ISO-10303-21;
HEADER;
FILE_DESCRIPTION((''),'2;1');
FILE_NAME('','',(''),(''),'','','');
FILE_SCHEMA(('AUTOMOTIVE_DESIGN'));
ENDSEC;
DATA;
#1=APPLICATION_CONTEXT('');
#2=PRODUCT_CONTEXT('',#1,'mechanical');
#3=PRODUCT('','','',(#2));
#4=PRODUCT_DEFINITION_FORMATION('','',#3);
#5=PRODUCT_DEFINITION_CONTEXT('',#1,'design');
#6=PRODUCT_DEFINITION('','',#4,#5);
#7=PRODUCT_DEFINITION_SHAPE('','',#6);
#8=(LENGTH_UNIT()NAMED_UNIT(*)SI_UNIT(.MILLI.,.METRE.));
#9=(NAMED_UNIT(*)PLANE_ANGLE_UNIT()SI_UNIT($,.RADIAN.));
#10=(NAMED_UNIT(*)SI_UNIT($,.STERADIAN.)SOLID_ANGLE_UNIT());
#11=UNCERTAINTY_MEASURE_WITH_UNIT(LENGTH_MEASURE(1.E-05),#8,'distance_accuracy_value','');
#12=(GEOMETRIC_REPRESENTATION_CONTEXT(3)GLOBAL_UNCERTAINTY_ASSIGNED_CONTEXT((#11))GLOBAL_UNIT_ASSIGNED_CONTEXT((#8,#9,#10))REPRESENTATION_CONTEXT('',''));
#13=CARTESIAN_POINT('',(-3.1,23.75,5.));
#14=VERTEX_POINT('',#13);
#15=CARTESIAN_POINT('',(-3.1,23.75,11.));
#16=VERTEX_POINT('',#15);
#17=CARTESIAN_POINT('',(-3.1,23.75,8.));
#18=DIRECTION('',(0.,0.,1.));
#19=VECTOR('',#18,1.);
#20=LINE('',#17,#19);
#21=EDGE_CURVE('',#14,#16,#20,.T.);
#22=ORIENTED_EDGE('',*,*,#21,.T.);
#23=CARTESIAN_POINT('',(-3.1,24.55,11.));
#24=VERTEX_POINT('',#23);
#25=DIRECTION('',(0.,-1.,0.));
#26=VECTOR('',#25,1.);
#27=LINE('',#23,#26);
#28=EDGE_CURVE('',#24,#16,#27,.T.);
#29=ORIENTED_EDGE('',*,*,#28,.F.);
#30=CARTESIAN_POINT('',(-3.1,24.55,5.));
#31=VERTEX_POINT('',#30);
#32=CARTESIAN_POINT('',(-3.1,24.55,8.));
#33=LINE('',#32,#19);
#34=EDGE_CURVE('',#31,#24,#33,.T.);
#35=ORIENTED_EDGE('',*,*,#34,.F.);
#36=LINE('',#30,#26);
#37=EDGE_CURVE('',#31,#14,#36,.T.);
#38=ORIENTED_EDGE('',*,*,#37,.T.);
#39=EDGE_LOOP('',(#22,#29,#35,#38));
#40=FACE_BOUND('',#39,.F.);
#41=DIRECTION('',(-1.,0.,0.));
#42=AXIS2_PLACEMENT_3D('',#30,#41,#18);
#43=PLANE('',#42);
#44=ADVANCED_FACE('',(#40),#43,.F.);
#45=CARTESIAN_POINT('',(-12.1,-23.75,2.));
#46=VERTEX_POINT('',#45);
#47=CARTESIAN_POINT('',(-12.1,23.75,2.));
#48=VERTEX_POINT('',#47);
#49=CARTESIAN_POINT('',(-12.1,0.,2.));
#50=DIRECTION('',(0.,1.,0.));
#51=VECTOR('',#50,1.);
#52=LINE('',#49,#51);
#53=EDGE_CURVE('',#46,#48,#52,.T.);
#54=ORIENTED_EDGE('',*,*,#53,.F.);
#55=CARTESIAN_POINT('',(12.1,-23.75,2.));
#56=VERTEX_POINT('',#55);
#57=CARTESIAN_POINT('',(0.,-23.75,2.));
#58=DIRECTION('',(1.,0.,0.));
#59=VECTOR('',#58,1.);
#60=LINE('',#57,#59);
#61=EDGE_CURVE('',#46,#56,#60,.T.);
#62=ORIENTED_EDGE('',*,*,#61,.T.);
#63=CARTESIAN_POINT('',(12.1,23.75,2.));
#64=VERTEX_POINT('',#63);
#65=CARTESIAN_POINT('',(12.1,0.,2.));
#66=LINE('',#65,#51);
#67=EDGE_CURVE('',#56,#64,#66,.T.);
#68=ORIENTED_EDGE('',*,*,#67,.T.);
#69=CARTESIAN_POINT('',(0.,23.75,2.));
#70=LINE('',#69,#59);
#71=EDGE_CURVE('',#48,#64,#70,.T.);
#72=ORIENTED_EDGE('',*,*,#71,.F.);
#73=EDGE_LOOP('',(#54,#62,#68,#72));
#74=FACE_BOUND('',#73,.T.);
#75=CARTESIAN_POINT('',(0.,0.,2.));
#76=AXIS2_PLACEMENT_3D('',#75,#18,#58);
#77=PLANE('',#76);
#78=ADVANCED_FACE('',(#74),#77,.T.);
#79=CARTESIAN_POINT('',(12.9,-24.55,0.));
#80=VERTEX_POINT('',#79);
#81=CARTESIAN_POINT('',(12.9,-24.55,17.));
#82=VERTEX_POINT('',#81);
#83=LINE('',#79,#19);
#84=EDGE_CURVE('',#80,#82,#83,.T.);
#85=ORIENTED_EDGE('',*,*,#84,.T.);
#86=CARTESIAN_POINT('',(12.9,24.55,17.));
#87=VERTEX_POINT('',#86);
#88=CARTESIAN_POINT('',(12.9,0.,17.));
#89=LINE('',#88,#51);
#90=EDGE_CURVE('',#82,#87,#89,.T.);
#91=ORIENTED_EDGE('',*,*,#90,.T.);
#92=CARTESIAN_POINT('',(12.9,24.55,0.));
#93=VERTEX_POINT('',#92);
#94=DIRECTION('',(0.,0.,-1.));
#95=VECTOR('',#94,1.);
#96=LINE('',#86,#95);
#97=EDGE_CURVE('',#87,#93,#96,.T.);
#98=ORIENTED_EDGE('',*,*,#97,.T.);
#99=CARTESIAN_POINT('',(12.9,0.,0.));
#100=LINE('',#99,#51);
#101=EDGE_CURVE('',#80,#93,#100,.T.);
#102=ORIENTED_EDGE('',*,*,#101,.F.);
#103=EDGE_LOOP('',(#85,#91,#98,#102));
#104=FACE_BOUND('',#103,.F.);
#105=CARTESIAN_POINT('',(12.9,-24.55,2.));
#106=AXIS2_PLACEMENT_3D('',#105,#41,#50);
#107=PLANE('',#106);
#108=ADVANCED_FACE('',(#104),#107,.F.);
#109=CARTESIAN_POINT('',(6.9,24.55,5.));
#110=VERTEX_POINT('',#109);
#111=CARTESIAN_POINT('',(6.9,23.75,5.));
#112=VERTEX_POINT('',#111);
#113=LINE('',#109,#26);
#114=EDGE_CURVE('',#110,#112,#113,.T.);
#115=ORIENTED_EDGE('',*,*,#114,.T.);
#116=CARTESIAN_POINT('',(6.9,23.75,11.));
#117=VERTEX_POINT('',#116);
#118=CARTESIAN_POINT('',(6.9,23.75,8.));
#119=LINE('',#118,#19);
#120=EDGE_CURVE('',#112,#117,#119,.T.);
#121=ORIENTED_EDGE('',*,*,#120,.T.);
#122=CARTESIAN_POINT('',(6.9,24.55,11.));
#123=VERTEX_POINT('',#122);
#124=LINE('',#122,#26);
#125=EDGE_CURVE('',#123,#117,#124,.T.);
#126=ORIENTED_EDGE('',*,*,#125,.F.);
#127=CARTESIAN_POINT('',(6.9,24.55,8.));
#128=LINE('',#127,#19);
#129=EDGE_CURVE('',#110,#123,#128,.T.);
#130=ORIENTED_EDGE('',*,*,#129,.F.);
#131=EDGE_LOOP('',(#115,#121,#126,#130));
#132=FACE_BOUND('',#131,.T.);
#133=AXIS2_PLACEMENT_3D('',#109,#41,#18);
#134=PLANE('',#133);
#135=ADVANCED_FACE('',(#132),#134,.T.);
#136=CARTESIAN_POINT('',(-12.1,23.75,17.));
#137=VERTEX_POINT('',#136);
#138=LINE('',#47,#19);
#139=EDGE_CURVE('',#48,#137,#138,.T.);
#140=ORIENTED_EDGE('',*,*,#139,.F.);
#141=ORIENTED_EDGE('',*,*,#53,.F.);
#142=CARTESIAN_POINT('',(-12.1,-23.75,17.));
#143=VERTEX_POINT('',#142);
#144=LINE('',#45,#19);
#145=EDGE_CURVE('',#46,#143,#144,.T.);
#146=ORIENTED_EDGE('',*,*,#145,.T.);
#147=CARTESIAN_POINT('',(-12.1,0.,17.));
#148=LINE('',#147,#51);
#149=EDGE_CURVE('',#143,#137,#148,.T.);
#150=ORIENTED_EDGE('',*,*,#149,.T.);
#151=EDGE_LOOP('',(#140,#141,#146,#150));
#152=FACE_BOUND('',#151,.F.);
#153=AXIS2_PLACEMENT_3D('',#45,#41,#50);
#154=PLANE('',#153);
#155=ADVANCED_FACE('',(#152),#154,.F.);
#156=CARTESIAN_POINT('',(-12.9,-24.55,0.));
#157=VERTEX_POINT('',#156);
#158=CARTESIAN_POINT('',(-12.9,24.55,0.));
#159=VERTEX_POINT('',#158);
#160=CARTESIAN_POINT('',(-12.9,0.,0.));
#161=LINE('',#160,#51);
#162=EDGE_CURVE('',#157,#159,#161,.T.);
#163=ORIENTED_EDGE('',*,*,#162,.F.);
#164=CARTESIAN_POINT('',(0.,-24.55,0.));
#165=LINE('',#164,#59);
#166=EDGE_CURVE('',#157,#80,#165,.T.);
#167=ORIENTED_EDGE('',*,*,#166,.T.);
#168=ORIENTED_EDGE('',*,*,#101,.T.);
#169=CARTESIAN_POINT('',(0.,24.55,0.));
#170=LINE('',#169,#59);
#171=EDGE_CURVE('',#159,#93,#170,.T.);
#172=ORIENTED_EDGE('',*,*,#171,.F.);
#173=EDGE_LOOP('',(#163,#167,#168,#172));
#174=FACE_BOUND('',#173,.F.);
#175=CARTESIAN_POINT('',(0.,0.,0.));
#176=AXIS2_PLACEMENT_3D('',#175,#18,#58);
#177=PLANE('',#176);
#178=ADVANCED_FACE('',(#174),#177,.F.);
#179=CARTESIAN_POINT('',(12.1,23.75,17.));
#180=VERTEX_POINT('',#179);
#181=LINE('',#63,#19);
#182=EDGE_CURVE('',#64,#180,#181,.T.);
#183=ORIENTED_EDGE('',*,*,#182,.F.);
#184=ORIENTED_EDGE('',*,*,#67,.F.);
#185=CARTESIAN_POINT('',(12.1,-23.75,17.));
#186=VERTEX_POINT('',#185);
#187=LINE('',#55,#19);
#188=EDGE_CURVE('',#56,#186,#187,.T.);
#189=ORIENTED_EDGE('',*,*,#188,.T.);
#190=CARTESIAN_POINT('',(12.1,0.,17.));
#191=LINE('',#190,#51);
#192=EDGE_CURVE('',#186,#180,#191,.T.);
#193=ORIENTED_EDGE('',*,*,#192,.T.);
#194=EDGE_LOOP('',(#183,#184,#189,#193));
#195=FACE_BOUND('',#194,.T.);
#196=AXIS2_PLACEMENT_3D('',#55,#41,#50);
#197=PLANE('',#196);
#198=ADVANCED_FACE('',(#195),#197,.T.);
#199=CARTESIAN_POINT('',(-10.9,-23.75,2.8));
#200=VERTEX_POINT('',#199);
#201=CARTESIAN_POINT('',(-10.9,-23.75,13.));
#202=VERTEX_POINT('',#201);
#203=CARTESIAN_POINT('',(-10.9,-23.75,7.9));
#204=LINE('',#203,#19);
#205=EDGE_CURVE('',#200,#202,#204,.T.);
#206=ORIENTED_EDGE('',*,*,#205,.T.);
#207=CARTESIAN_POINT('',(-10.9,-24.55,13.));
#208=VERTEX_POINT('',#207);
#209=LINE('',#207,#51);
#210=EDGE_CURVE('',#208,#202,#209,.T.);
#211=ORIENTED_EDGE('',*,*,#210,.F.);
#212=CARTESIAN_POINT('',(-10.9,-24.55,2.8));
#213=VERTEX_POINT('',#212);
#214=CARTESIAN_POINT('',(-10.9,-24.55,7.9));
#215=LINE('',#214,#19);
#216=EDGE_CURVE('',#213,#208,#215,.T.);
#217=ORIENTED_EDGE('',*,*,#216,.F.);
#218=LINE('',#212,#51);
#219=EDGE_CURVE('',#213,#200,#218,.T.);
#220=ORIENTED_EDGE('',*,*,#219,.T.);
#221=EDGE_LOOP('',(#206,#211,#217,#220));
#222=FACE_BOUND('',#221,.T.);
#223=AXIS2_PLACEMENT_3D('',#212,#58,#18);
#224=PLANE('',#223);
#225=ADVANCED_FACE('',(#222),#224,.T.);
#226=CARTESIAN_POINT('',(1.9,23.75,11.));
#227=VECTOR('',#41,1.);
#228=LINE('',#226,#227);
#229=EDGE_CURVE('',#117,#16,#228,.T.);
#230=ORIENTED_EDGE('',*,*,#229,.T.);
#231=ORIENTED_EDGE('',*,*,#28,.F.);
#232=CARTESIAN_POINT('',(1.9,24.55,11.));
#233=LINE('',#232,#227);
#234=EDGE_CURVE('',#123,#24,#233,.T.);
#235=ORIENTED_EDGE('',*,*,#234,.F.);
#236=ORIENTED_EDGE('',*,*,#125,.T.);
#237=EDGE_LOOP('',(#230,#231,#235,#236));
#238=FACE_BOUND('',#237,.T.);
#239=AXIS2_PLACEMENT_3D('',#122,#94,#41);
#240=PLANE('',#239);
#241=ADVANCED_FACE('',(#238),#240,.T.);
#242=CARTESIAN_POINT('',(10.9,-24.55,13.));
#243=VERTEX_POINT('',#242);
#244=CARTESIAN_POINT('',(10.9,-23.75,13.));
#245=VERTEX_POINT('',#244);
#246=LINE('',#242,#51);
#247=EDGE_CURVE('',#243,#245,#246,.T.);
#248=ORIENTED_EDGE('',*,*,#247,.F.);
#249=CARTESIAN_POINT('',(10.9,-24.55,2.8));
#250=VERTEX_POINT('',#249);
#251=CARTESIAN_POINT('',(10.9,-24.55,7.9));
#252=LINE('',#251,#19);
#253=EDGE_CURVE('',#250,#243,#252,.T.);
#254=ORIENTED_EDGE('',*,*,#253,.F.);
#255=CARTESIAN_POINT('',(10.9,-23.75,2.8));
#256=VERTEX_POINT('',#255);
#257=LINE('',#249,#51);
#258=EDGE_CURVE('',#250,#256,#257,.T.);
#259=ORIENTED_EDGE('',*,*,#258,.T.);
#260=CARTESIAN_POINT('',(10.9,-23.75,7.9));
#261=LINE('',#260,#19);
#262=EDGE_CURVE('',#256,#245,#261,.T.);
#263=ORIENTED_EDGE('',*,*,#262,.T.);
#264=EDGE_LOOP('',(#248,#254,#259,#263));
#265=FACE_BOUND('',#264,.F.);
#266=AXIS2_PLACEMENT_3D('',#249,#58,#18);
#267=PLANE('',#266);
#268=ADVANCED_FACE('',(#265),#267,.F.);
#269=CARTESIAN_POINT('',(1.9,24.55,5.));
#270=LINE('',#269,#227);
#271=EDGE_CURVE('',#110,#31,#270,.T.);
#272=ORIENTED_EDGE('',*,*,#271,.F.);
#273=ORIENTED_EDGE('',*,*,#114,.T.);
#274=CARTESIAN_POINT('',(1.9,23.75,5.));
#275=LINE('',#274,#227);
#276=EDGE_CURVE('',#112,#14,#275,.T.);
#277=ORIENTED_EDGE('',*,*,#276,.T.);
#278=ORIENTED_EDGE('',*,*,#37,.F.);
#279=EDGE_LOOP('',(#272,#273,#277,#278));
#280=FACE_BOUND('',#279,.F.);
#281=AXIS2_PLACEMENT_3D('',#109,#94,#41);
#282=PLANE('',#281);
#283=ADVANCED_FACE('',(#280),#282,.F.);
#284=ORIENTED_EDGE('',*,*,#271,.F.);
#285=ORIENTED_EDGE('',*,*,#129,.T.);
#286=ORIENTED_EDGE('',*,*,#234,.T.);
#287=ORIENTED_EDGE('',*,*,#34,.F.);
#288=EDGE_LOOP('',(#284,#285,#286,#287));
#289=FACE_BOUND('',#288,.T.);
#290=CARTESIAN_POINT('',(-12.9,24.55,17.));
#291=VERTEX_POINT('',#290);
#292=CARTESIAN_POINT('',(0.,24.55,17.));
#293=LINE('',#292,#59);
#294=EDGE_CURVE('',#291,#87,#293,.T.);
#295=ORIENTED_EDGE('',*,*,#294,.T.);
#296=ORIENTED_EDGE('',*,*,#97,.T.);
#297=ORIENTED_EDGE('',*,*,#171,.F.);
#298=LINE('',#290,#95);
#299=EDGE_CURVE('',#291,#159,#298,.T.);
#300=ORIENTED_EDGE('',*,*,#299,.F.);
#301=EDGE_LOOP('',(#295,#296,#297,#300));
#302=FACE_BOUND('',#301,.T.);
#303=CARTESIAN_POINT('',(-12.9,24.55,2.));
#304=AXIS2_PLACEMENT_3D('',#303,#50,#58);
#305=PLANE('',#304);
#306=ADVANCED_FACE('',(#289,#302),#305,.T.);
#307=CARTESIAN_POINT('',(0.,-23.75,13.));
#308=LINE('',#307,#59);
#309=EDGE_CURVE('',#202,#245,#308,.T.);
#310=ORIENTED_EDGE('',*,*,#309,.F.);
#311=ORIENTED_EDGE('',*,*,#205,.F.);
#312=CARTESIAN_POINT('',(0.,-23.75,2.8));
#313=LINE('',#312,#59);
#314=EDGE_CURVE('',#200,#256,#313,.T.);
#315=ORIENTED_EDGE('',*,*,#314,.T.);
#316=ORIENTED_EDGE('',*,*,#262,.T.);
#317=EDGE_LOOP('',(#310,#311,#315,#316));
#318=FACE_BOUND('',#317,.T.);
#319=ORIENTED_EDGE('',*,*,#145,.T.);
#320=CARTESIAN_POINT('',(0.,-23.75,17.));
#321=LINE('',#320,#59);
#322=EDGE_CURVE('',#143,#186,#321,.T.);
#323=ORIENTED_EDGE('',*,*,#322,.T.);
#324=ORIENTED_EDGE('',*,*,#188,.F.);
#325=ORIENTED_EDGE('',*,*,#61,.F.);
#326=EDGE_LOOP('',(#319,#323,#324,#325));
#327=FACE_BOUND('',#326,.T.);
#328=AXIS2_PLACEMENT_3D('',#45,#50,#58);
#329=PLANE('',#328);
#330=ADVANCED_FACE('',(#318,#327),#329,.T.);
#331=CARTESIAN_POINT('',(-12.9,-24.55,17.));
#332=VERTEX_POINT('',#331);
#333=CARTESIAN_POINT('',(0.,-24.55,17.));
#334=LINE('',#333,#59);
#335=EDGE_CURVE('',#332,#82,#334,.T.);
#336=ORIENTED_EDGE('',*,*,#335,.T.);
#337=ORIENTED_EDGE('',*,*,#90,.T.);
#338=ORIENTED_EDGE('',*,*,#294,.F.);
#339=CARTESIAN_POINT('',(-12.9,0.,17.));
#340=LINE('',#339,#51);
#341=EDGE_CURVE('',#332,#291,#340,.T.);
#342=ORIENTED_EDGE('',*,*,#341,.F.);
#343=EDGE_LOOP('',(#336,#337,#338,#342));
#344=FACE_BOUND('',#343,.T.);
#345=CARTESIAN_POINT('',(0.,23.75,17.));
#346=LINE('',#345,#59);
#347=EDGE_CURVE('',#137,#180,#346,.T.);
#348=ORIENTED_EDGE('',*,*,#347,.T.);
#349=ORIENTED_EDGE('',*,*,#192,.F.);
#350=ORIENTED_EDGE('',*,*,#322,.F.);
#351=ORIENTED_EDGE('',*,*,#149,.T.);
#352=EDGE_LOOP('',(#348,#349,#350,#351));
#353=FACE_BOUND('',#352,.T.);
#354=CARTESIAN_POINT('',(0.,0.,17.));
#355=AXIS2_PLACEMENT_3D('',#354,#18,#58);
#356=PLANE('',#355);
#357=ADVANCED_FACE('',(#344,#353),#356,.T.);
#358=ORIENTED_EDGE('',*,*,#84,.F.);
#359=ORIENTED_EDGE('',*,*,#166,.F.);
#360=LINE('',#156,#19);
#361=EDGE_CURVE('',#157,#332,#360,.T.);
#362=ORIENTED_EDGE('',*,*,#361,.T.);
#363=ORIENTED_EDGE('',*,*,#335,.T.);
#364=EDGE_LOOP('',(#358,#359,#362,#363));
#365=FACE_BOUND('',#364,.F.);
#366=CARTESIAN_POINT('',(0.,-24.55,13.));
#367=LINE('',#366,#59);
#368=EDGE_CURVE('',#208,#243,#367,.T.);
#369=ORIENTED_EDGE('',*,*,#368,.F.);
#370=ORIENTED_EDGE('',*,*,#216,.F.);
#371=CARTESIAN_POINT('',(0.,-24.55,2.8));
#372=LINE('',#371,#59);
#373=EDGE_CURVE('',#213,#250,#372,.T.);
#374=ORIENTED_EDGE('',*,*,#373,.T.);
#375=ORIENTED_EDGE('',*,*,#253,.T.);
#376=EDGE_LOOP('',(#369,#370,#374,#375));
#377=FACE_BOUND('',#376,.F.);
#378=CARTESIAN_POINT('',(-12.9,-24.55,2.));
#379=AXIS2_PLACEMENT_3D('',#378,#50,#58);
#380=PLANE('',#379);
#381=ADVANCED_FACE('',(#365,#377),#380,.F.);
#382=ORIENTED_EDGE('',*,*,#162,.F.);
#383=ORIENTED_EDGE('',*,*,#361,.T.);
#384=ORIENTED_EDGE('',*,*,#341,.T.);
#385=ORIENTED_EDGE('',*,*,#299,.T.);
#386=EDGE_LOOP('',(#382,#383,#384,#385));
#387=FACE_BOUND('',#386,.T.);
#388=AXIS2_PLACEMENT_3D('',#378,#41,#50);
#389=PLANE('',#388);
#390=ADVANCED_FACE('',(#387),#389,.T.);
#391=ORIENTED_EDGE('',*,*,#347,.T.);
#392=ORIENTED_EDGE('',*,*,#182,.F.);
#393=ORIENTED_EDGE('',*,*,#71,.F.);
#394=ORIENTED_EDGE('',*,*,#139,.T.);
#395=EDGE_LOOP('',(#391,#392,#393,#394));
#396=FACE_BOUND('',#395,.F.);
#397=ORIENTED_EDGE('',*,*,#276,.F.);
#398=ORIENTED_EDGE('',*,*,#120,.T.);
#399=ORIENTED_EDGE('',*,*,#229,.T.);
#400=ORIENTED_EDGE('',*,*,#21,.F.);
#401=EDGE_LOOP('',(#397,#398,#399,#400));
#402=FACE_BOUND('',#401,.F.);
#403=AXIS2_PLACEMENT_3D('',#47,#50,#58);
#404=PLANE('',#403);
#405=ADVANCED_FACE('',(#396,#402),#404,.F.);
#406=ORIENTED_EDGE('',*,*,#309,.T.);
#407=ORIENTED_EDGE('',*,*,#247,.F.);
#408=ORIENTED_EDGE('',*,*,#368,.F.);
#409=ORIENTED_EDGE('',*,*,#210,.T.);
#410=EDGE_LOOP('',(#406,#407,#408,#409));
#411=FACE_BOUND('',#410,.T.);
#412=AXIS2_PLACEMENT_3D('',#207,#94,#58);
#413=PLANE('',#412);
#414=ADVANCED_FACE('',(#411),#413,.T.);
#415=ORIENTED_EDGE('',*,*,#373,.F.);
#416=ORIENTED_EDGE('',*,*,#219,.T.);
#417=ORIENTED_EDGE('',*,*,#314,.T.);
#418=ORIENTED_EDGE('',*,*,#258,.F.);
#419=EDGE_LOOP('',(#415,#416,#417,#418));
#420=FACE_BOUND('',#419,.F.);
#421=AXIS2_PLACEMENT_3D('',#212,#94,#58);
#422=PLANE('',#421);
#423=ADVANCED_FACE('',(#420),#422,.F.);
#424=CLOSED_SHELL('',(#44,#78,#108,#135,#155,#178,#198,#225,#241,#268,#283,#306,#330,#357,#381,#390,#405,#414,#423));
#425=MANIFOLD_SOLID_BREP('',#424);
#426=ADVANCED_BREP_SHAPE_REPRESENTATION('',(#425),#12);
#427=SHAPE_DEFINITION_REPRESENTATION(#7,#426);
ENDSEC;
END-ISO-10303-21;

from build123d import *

# Parameters (mm, degrees)
F0_W     = 25.8
F0_H     = 49.1
F0_W_2   = 24.2
F0_H_2   = 47.5
F1_DEPTH = 2
F2_W     = 25.8
F2_H     = 49.1
F2_W_2   = 24.2
F2_H_2   = 47.5
F3_DEPTH = 15
F4_W     = 21.8
F4_H     = 10.2
F5_DEPTH = 0.8
F6_W     = 10
F6_H     = 6
F7_DEPTH = 0.8


with BuildPart() as f1:
    # F0 (on Top) → F1 (new body)
    with BuildSketch(Plane.XY):
        Rectangle(F0_W, F0_H)
        Rectangle(F0_W_2, F0_H_2, mode=Mode.SUBTRACT)
        Rectangle(F0_W_2, F0_H_2)
    extrude(amount=F1_DEPTH)

    # F2 (on face) → F3 (join)
    with BuildSketch(Plane.XY.offset(2)):
        Rectangle(F2_W, F2_H)
        Rectangle(F2_W_2, F2_H_2, mode=Mode.SUBTRACT)
    extrude(amount=F3_DEPTH)

    # F4 (on face) → F5 (cut, through all)
    with BuildSketch(Plane.XZ.offset(24.55)):
        with Locations((0, 7.9)):
            Rectangle(F4_W, F4_H)
    extrude(amount=-F5_DEPTH, mode=Mode.SUBTRACT)

    # F6 (on face) → F7 (cut, through all)
    with BuildSketch(Plane(origin=(0, 24.55, 0), x_dir=(-1, 0, 0), z_dir=(0, 1, 0))):
        with Locations((-1.9, 8)):
            Rectangle(F6_W, F6_H)
    extrude(amount=-F7_DEPTH, mode=Mode.SUBTRACT)


solid = f1.part
